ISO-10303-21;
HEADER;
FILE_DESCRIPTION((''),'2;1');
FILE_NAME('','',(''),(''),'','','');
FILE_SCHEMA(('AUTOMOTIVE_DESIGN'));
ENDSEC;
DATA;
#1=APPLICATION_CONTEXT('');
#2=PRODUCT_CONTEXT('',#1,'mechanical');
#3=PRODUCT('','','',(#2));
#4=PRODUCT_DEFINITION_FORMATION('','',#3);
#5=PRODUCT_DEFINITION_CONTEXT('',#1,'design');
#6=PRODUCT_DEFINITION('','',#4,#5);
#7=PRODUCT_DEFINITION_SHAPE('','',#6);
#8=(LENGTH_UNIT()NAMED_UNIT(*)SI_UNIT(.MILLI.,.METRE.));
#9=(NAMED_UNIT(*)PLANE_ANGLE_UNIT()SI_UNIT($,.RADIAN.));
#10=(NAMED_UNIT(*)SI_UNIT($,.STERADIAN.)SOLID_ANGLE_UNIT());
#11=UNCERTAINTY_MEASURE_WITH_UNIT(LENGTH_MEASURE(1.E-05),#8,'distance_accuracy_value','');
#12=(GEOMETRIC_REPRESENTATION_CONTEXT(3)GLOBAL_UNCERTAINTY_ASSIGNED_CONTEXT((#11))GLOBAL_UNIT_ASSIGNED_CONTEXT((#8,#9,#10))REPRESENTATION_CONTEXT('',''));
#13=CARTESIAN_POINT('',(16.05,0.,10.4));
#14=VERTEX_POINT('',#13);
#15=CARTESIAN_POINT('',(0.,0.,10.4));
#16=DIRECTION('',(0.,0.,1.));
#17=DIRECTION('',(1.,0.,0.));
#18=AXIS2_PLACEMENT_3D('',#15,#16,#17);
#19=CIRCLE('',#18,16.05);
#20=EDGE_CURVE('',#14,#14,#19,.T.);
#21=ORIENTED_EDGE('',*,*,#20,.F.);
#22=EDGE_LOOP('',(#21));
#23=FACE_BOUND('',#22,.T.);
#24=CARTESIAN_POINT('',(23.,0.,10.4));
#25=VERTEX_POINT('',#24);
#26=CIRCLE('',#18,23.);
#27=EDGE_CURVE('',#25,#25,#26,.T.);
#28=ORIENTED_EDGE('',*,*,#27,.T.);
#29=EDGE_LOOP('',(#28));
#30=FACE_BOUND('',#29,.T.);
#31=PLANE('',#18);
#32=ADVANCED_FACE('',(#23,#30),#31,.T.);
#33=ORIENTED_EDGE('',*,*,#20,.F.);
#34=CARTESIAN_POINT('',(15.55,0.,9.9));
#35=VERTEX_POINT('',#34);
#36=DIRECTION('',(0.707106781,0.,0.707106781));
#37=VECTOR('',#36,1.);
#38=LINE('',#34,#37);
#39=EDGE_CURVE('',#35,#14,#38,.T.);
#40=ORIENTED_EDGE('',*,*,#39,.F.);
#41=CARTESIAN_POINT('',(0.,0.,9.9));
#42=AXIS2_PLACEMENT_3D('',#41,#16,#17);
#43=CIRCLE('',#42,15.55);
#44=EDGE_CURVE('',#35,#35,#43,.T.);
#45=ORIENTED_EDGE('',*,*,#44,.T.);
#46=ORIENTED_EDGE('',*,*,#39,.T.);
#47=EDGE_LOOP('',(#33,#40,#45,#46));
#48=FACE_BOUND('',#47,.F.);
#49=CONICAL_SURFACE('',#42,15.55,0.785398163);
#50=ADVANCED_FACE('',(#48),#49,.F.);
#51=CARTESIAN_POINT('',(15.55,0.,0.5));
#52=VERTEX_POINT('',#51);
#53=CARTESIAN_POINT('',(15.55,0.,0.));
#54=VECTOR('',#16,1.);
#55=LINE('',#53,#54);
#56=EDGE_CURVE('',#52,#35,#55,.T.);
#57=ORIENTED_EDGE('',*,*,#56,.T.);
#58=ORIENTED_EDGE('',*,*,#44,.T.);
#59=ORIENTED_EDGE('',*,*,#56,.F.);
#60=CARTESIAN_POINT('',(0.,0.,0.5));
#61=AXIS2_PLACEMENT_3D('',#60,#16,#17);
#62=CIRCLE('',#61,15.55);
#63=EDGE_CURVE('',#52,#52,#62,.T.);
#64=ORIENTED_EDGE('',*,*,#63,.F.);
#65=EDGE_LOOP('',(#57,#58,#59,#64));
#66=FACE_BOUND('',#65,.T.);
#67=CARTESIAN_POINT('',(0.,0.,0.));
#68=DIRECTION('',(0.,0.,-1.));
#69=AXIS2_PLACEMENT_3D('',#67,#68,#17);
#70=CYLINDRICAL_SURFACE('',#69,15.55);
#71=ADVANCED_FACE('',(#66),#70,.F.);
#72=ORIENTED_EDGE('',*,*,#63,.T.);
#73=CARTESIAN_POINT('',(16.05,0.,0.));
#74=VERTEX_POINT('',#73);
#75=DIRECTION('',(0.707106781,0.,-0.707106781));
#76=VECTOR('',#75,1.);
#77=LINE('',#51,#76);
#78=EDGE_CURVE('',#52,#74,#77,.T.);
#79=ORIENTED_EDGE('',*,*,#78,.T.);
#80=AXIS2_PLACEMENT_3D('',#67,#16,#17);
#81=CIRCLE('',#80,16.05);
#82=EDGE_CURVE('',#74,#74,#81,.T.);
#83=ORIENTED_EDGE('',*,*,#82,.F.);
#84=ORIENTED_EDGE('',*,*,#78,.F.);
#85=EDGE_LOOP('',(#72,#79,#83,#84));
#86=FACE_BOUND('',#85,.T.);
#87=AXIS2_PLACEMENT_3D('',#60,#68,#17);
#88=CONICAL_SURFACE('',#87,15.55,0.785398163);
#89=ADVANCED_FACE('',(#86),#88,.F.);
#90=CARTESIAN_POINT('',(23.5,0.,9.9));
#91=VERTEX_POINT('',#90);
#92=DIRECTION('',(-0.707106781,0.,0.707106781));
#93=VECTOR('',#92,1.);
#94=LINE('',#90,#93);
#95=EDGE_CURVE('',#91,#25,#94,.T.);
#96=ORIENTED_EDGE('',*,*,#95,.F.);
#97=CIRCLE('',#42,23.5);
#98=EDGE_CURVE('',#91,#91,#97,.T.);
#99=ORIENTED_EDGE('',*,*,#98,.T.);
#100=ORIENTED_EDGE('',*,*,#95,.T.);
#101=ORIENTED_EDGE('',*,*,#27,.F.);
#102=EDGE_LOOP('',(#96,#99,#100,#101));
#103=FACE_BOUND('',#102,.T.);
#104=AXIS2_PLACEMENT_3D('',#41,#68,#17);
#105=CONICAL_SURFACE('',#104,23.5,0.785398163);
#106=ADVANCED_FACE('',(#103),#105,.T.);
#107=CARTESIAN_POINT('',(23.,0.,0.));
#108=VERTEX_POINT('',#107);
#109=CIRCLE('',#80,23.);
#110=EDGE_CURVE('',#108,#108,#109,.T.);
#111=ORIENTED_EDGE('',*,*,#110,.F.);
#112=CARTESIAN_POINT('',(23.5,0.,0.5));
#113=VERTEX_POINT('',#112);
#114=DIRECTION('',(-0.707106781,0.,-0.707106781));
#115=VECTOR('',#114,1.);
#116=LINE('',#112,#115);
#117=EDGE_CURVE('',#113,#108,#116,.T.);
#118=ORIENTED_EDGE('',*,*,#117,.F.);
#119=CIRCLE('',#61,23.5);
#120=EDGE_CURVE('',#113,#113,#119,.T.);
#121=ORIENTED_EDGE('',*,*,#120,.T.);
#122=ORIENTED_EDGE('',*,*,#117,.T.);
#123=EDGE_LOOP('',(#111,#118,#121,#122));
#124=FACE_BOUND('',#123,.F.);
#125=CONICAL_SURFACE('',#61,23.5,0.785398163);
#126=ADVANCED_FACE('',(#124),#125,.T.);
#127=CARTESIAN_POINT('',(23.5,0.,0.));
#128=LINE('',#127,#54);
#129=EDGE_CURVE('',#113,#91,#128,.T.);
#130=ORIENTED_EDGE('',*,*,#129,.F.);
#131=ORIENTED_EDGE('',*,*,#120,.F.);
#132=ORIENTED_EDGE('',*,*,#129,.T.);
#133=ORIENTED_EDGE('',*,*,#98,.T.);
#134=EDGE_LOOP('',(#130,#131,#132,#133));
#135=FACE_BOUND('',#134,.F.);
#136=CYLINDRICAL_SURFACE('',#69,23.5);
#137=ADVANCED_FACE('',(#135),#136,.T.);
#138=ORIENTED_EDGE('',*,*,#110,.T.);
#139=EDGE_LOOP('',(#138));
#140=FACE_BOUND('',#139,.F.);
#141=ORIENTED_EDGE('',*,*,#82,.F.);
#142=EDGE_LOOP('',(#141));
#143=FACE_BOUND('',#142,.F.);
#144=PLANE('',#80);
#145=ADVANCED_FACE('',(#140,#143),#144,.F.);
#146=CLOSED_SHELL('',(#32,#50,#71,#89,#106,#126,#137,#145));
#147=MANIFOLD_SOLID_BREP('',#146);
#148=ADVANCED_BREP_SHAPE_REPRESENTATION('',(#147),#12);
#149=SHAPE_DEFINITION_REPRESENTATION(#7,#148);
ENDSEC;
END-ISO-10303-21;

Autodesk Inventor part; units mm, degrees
ref_plane "YZ Plane" through (0, 0, 0) normal (1, 0, 0) x (0, 1, 0)
ref_plane "XZ Plane" through (0, 0, 0) normal (0, 1, 0) x (-1, 0, 0)
ref_plane "XY Plane" through (0, 0, 0) normal (0, 0, 1) x (1, 0, 0)
sketch "草图1" plane through (0, 0, 0) normal (0, 0, 1) x (1, 0, 0)
  circle A0 centre (0, 0) radius 23.5
  circle A1 centre (0, 0) radius 15.55
extrude "拉伸1" add sketch "草图1" along normal blind 10.4
chamfer "倒角1" distance 0.5 angle 45 4 edges at (-15.55, 0, 10.4) (-15.55, 0, 0) (-23.5, 0, 10.4) (-23.5, 0, 0)
properties part number "my_attempt_v2"
